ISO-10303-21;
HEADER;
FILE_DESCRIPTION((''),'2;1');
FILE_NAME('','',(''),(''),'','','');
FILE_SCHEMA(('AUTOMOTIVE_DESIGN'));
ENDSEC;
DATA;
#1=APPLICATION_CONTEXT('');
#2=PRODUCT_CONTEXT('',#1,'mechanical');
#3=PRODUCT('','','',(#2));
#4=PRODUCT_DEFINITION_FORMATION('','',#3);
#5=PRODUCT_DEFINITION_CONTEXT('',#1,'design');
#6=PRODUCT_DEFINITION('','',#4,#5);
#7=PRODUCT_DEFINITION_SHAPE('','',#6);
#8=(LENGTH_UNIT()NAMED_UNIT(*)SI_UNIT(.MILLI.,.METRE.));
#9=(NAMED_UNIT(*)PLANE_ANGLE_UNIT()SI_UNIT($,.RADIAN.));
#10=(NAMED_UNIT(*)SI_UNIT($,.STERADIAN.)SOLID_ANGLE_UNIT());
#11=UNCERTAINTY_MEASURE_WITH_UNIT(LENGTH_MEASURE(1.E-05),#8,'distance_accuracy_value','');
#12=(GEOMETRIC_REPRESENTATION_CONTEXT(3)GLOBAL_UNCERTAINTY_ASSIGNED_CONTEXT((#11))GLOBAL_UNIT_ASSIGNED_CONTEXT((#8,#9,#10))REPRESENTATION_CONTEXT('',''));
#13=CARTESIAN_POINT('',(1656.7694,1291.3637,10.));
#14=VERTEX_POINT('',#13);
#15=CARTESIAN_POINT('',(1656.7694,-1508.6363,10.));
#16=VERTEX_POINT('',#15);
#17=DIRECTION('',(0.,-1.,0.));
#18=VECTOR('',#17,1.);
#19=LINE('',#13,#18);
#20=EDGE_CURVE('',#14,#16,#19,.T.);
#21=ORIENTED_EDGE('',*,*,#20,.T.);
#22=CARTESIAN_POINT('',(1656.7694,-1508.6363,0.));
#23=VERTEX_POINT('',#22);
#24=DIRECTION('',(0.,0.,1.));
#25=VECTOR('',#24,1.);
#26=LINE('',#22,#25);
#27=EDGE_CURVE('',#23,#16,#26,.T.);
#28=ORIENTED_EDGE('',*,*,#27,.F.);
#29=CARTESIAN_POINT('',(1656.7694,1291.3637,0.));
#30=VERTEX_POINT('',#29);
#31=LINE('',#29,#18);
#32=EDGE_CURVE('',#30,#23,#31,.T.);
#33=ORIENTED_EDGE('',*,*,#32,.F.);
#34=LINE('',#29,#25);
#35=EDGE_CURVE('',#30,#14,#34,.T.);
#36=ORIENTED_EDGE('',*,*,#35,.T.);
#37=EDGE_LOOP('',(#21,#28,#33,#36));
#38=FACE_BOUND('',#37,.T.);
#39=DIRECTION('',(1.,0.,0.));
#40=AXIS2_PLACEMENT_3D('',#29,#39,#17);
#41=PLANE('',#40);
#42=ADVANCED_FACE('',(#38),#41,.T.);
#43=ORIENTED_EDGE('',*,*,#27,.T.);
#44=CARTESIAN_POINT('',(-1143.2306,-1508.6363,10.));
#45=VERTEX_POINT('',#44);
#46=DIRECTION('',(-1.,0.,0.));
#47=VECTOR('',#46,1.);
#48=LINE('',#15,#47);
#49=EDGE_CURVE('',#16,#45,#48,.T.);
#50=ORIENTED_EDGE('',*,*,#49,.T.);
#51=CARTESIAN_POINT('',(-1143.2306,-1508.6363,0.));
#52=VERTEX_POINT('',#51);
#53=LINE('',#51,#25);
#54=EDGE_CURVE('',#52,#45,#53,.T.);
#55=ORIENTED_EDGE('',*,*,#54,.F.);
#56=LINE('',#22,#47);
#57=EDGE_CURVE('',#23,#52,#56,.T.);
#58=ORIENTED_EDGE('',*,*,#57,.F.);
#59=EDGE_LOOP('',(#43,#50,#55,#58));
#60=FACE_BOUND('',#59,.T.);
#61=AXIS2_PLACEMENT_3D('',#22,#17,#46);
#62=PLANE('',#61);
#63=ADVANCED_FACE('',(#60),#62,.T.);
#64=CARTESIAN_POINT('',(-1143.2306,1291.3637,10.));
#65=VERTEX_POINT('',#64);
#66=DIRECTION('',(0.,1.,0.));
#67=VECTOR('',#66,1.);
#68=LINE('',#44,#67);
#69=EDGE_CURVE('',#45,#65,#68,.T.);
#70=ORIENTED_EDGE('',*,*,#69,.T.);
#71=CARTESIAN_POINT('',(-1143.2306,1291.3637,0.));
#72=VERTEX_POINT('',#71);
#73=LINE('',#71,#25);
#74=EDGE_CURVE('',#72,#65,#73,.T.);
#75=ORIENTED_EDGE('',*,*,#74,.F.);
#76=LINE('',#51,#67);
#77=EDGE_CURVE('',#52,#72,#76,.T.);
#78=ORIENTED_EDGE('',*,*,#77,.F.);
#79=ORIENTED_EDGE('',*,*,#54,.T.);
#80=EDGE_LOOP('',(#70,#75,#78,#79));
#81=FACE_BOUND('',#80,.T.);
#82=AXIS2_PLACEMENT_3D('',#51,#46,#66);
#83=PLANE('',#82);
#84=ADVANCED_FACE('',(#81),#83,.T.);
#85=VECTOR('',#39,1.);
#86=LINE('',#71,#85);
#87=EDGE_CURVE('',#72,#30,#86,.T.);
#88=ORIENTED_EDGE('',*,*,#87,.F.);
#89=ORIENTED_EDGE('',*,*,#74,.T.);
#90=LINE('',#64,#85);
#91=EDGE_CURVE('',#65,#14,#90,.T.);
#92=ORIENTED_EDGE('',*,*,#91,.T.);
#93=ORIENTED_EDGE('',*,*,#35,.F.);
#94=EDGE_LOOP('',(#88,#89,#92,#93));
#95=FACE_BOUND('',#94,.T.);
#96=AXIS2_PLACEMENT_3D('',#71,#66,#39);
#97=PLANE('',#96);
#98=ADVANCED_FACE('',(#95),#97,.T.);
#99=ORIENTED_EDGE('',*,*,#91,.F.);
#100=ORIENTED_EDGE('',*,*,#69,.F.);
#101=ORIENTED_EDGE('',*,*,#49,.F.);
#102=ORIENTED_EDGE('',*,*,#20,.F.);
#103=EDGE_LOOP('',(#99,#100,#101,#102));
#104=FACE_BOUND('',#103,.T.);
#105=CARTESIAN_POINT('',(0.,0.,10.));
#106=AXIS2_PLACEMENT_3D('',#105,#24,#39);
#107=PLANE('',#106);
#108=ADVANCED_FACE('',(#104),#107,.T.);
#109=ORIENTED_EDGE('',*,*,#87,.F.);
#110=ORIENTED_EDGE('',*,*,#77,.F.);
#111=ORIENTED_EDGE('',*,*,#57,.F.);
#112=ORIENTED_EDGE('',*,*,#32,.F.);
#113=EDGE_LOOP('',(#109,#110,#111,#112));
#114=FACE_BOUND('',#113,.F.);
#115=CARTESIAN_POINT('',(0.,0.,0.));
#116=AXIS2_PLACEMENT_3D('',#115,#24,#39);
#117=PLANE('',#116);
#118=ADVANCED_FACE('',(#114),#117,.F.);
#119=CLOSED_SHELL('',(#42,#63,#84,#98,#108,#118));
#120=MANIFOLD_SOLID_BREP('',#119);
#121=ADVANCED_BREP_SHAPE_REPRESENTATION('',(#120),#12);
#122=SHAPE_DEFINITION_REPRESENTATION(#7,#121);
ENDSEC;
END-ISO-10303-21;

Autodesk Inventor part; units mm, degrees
ref_plane "YZ Plane" through (0, 0, 0) normal (1, 0, 0) x (0, 1, 0)
ref_plane "XZ Plane" through (0, 0, 0) normal (0, 1, 0) x (-1, 0, 0)
ref_plane "XY Plane" through (0, 0, 0) normal (0, 0, 1) x (1, 0, 0)
sketch "Sketch1" plane through (0, 0, 0) normal (0, 0, 1) x (1, 0, 0)
  line L0 (-1143.2306, 1291.3637) -> (1656.7694, 1291.3637)
  line L1 (1656.7694, 1291.3637) -> (1656.7694, -1508.6363)
  line L2 (1656.7694, -1508.6363) -> (-1143.2306, -1508.6363)
  line L3 (-1143.2306, -1508.6363) -> (-1143.2306, 1291.3637)
  point P0 (0, 0)
  dimension "d0" = 2800
  dimension "d1" = 2800
extrude "Extrusion1" add sketch "Sketch1" along normal blind 10
properties part number "floor"
